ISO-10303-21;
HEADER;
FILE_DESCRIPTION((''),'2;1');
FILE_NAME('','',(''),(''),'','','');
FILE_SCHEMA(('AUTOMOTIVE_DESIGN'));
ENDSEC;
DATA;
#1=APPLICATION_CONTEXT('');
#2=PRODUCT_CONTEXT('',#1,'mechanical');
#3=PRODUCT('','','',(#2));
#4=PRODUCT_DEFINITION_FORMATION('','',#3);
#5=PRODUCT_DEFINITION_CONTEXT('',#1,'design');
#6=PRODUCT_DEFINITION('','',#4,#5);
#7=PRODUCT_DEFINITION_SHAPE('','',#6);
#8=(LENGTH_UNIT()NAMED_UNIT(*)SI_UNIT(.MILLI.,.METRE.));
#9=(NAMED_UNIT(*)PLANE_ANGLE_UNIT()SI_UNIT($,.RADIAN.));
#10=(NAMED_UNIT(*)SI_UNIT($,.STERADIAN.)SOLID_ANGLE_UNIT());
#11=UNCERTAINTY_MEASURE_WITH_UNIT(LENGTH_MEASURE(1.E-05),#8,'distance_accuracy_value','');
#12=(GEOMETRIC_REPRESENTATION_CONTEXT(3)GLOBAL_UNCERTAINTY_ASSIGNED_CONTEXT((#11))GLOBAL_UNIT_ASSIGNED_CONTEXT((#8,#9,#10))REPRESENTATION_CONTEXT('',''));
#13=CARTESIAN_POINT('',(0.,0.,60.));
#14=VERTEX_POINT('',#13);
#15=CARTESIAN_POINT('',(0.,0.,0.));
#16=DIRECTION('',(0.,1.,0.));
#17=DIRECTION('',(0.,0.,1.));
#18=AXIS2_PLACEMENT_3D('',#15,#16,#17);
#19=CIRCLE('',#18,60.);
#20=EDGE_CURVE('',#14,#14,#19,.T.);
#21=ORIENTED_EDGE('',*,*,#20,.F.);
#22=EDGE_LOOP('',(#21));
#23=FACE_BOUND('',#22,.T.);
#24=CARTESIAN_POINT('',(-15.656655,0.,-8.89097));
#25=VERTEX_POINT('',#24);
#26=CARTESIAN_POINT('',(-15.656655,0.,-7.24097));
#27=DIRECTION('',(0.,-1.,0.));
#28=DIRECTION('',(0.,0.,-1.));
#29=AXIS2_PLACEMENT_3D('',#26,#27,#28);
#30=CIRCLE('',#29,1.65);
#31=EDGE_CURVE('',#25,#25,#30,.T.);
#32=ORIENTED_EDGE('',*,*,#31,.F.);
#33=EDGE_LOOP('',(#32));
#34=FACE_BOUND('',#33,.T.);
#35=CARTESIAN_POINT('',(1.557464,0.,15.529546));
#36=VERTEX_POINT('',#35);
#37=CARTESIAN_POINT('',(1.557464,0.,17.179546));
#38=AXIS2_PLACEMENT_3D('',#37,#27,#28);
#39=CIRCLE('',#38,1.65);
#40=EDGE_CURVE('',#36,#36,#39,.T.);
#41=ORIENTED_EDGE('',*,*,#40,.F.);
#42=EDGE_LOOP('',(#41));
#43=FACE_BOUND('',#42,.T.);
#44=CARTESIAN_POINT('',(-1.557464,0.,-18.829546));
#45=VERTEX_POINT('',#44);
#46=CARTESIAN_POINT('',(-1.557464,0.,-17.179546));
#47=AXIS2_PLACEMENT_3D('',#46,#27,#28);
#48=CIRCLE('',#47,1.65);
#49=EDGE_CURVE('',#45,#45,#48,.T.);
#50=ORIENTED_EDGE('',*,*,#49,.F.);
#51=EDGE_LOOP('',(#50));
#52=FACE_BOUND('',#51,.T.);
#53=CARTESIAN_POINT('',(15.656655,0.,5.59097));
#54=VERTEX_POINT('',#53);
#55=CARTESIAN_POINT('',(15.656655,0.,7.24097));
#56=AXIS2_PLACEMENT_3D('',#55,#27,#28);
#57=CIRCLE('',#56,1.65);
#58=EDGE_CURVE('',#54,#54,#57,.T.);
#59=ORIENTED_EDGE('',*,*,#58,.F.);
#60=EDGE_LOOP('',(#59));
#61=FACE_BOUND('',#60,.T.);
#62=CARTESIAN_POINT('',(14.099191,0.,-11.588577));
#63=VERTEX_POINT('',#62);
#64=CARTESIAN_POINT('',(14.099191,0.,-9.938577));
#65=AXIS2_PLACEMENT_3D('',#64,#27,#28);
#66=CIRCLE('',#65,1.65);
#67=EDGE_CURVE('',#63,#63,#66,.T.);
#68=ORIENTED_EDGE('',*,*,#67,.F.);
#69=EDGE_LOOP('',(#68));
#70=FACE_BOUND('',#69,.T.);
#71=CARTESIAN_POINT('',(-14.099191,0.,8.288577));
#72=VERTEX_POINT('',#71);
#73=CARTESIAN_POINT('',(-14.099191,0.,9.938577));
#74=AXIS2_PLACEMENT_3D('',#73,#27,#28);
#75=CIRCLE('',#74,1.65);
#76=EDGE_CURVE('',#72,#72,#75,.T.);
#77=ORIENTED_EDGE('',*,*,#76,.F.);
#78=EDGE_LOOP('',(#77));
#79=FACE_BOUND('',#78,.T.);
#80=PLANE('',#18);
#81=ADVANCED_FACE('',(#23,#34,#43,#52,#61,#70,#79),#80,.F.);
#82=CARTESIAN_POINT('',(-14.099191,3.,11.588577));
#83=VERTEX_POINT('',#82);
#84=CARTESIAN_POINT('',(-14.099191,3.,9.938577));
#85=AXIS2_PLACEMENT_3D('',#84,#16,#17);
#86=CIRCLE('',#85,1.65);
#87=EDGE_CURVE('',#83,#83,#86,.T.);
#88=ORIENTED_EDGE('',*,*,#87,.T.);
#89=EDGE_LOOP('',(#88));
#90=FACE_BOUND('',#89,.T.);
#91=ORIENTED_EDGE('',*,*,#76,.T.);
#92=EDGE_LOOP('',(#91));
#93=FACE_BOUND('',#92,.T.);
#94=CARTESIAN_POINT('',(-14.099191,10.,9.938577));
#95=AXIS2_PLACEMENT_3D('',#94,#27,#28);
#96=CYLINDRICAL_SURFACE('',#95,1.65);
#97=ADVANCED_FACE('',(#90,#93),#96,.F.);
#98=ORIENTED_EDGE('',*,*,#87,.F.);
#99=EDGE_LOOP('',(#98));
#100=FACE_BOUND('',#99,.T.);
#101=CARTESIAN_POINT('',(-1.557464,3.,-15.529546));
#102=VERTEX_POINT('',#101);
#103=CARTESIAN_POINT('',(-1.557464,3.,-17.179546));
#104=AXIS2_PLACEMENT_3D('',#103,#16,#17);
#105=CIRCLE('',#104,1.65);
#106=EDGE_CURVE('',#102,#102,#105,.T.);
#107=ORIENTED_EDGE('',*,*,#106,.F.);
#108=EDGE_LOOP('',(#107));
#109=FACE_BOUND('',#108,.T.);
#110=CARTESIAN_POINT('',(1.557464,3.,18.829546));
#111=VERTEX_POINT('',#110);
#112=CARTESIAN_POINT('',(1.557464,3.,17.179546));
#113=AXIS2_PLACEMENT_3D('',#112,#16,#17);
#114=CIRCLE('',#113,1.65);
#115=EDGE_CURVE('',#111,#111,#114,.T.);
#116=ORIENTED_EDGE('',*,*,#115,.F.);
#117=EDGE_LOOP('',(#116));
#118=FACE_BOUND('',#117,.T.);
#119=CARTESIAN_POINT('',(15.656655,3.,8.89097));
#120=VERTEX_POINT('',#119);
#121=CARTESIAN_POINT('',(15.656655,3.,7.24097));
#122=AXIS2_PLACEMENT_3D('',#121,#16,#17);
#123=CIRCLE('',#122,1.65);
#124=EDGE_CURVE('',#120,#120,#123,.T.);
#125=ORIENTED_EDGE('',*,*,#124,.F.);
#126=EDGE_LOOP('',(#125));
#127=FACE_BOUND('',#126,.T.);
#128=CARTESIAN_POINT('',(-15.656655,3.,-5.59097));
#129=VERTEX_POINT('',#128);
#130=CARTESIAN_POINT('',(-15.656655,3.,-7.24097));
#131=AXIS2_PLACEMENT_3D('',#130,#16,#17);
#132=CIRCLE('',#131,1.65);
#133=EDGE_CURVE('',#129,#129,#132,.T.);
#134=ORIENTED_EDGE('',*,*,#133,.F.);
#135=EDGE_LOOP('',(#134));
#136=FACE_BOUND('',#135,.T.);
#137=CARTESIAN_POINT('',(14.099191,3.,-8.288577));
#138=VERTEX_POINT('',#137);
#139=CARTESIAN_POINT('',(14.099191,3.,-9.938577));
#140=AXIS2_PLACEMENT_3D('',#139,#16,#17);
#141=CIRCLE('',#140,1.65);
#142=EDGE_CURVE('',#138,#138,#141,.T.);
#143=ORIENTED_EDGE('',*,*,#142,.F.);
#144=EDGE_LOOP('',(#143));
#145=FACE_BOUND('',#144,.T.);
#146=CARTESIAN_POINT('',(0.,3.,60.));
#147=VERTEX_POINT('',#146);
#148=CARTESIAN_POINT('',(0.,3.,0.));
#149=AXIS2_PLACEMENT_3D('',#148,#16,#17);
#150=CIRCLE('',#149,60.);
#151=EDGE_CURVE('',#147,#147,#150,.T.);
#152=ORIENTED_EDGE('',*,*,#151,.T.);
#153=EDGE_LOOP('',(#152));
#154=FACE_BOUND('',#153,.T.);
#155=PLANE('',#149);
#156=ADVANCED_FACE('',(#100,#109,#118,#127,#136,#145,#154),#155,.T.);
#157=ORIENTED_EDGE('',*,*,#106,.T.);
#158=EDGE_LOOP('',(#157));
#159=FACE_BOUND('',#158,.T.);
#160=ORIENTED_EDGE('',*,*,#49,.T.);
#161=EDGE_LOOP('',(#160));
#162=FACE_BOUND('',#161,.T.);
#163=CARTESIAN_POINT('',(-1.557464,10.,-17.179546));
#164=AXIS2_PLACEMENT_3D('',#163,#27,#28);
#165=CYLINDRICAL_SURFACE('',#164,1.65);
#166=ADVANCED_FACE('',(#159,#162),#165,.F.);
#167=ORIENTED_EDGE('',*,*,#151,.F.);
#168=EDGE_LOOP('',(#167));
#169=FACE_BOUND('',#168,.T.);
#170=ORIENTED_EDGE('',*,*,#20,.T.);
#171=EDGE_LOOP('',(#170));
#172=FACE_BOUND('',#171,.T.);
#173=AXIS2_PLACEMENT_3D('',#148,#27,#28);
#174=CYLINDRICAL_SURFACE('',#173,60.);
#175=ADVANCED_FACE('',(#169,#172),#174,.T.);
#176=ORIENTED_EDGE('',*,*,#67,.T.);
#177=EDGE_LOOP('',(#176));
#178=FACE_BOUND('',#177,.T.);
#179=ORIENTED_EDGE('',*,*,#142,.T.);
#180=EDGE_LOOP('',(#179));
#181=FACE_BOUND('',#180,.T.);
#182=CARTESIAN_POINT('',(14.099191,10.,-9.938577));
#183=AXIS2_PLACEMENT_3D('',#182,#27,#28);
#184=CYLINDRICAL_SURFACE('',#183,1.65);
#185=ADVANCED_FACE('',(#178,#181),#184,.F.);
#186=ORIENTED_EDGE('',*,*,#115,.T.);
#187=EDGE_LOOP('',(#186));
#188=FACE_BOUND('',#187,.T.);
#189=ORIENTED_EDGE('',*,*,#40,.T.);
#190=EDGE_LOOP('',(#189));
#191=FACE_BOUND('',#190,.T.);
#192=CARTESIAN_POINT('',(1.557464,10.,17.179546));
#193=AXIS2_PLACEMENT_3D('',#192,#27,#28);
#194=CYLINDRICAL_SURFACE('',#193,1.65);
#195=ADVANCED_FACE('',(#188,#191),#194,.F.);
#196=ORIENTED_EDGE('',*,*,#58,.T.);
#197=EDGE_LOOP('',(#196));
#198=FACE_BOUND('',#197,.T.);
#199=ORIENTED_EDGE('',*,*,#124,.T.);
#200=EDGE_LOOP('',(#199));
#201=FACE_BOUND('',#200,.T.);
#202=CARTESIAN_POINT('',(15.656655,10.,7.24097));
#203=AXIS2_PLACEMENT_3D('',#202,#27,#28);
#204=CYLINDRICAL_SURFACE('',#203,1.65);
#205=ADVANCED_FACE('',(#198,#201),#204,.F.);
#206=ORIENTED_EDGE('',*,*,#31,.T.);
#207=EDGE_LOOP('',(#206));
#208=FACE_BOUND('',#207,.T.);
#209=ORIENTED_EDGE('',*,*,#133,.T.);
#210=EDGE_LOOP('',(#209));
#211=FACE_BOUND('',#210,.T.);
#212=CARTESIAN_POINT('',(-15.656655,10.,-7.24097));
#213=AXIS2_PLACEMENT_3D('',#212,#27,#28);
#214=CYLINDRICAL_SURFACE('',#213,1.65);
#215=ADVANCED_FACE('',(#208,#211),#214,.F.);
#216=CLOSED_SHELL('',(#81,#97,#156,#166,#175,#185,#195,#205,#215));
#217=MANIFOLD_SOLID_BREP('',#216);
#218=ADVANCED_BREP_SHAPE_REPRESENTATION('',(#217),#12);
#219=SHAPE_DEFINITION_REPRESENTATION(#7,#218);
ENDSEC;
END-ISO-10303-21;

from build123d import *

# Parameters (mm, degrees)
SKETCH_2_R          = 60
EXTRUDE_1_DEPTH     = 3
CUT_EXTRUDE_1_DEPTH = 10


with BuildPart() as part:
    # 草图2 → 凸台-拉伸1 (new body)
    with BuildSketch(Plane(origin=(0, 0, 0), x_dir=(1, 0, 0), z_dir=(0, 1, 0))):
        with Locations(Location((0, 0, 0), (0, 0, 270))):
            Circle(SKETCH_2_R)
    extrude(amount=EXTRUDE_1_DEPTH)

    # 草图3 → 切除-拉伸1 (cut)
    with BuildSketch(Plane.XZ):
        with BuildLine():
            ThreePointArc((17.005273727, 6.290323162), (16.607301875, 8.589587915), (14.308037122, 8.191616063))
            ThreePointArc((14.308037122, 8.191616063), (14.706008974, 5.89235131), (17.005273727, 6.290323162))
        make_face()
        with BuildLine():
            ThreePointArc((15.447809647, -10.88922298), (15.049837795, -8.589958227), (12.750573042, -8.987930079))
            ThreePointArc((12.750573042, -8.987930079), (13.148544894, -11.287194832), (15.447809647, -10.88922298))
        make_face()
        with BuildLine():
            ThreePointArc((-0.208845777, -18.130192593), (-0.606817629, -15.830927839), (-2.906082382, -16.228899691))
            ThreePointArc((-2.906082382, -16.228899691), (-2.50811053, -18.528164444), (-0.208845777, -18.130192593))
        make_face()
        with BuildLine():
            ThreePointArc((-14.308037122, -8.191616063), (-14.706008974, -5.89235131), (-17.005273727, -6.290323162))
            ThreePointArc((-17.005273727, -6.290323162), (-16.607301875, -8.589587915), (-14.308037122, -8.191616063))
        make_face()
        with BuildLine():
            ThreePointArc((-12.750573042, 8.987930079), (-13.148544894, 11.287194832), (-15.447809647, 10.88922298))
            ThreePointArc((-15.447809647, 10.88922298), (-15.049837795, 8.589958227), (-12.750573042, 8.987930079))
        make_face()
        with BuildLine():
            ThreePointArc((2.906082382, 16.228899691), (2.50811053, 18.528164444), (0.208845777, 18.130192593))
            ThreePointArc((0.208845777, 18.130192593), (0.606817629, 15.830927839), (2.906082382, 16.228899691))
        make_face()
    extrude(amount=-CUT_EXTRUDE_1_DEPTH, mode=Mode.SUBTRACT)


solid = part.part
